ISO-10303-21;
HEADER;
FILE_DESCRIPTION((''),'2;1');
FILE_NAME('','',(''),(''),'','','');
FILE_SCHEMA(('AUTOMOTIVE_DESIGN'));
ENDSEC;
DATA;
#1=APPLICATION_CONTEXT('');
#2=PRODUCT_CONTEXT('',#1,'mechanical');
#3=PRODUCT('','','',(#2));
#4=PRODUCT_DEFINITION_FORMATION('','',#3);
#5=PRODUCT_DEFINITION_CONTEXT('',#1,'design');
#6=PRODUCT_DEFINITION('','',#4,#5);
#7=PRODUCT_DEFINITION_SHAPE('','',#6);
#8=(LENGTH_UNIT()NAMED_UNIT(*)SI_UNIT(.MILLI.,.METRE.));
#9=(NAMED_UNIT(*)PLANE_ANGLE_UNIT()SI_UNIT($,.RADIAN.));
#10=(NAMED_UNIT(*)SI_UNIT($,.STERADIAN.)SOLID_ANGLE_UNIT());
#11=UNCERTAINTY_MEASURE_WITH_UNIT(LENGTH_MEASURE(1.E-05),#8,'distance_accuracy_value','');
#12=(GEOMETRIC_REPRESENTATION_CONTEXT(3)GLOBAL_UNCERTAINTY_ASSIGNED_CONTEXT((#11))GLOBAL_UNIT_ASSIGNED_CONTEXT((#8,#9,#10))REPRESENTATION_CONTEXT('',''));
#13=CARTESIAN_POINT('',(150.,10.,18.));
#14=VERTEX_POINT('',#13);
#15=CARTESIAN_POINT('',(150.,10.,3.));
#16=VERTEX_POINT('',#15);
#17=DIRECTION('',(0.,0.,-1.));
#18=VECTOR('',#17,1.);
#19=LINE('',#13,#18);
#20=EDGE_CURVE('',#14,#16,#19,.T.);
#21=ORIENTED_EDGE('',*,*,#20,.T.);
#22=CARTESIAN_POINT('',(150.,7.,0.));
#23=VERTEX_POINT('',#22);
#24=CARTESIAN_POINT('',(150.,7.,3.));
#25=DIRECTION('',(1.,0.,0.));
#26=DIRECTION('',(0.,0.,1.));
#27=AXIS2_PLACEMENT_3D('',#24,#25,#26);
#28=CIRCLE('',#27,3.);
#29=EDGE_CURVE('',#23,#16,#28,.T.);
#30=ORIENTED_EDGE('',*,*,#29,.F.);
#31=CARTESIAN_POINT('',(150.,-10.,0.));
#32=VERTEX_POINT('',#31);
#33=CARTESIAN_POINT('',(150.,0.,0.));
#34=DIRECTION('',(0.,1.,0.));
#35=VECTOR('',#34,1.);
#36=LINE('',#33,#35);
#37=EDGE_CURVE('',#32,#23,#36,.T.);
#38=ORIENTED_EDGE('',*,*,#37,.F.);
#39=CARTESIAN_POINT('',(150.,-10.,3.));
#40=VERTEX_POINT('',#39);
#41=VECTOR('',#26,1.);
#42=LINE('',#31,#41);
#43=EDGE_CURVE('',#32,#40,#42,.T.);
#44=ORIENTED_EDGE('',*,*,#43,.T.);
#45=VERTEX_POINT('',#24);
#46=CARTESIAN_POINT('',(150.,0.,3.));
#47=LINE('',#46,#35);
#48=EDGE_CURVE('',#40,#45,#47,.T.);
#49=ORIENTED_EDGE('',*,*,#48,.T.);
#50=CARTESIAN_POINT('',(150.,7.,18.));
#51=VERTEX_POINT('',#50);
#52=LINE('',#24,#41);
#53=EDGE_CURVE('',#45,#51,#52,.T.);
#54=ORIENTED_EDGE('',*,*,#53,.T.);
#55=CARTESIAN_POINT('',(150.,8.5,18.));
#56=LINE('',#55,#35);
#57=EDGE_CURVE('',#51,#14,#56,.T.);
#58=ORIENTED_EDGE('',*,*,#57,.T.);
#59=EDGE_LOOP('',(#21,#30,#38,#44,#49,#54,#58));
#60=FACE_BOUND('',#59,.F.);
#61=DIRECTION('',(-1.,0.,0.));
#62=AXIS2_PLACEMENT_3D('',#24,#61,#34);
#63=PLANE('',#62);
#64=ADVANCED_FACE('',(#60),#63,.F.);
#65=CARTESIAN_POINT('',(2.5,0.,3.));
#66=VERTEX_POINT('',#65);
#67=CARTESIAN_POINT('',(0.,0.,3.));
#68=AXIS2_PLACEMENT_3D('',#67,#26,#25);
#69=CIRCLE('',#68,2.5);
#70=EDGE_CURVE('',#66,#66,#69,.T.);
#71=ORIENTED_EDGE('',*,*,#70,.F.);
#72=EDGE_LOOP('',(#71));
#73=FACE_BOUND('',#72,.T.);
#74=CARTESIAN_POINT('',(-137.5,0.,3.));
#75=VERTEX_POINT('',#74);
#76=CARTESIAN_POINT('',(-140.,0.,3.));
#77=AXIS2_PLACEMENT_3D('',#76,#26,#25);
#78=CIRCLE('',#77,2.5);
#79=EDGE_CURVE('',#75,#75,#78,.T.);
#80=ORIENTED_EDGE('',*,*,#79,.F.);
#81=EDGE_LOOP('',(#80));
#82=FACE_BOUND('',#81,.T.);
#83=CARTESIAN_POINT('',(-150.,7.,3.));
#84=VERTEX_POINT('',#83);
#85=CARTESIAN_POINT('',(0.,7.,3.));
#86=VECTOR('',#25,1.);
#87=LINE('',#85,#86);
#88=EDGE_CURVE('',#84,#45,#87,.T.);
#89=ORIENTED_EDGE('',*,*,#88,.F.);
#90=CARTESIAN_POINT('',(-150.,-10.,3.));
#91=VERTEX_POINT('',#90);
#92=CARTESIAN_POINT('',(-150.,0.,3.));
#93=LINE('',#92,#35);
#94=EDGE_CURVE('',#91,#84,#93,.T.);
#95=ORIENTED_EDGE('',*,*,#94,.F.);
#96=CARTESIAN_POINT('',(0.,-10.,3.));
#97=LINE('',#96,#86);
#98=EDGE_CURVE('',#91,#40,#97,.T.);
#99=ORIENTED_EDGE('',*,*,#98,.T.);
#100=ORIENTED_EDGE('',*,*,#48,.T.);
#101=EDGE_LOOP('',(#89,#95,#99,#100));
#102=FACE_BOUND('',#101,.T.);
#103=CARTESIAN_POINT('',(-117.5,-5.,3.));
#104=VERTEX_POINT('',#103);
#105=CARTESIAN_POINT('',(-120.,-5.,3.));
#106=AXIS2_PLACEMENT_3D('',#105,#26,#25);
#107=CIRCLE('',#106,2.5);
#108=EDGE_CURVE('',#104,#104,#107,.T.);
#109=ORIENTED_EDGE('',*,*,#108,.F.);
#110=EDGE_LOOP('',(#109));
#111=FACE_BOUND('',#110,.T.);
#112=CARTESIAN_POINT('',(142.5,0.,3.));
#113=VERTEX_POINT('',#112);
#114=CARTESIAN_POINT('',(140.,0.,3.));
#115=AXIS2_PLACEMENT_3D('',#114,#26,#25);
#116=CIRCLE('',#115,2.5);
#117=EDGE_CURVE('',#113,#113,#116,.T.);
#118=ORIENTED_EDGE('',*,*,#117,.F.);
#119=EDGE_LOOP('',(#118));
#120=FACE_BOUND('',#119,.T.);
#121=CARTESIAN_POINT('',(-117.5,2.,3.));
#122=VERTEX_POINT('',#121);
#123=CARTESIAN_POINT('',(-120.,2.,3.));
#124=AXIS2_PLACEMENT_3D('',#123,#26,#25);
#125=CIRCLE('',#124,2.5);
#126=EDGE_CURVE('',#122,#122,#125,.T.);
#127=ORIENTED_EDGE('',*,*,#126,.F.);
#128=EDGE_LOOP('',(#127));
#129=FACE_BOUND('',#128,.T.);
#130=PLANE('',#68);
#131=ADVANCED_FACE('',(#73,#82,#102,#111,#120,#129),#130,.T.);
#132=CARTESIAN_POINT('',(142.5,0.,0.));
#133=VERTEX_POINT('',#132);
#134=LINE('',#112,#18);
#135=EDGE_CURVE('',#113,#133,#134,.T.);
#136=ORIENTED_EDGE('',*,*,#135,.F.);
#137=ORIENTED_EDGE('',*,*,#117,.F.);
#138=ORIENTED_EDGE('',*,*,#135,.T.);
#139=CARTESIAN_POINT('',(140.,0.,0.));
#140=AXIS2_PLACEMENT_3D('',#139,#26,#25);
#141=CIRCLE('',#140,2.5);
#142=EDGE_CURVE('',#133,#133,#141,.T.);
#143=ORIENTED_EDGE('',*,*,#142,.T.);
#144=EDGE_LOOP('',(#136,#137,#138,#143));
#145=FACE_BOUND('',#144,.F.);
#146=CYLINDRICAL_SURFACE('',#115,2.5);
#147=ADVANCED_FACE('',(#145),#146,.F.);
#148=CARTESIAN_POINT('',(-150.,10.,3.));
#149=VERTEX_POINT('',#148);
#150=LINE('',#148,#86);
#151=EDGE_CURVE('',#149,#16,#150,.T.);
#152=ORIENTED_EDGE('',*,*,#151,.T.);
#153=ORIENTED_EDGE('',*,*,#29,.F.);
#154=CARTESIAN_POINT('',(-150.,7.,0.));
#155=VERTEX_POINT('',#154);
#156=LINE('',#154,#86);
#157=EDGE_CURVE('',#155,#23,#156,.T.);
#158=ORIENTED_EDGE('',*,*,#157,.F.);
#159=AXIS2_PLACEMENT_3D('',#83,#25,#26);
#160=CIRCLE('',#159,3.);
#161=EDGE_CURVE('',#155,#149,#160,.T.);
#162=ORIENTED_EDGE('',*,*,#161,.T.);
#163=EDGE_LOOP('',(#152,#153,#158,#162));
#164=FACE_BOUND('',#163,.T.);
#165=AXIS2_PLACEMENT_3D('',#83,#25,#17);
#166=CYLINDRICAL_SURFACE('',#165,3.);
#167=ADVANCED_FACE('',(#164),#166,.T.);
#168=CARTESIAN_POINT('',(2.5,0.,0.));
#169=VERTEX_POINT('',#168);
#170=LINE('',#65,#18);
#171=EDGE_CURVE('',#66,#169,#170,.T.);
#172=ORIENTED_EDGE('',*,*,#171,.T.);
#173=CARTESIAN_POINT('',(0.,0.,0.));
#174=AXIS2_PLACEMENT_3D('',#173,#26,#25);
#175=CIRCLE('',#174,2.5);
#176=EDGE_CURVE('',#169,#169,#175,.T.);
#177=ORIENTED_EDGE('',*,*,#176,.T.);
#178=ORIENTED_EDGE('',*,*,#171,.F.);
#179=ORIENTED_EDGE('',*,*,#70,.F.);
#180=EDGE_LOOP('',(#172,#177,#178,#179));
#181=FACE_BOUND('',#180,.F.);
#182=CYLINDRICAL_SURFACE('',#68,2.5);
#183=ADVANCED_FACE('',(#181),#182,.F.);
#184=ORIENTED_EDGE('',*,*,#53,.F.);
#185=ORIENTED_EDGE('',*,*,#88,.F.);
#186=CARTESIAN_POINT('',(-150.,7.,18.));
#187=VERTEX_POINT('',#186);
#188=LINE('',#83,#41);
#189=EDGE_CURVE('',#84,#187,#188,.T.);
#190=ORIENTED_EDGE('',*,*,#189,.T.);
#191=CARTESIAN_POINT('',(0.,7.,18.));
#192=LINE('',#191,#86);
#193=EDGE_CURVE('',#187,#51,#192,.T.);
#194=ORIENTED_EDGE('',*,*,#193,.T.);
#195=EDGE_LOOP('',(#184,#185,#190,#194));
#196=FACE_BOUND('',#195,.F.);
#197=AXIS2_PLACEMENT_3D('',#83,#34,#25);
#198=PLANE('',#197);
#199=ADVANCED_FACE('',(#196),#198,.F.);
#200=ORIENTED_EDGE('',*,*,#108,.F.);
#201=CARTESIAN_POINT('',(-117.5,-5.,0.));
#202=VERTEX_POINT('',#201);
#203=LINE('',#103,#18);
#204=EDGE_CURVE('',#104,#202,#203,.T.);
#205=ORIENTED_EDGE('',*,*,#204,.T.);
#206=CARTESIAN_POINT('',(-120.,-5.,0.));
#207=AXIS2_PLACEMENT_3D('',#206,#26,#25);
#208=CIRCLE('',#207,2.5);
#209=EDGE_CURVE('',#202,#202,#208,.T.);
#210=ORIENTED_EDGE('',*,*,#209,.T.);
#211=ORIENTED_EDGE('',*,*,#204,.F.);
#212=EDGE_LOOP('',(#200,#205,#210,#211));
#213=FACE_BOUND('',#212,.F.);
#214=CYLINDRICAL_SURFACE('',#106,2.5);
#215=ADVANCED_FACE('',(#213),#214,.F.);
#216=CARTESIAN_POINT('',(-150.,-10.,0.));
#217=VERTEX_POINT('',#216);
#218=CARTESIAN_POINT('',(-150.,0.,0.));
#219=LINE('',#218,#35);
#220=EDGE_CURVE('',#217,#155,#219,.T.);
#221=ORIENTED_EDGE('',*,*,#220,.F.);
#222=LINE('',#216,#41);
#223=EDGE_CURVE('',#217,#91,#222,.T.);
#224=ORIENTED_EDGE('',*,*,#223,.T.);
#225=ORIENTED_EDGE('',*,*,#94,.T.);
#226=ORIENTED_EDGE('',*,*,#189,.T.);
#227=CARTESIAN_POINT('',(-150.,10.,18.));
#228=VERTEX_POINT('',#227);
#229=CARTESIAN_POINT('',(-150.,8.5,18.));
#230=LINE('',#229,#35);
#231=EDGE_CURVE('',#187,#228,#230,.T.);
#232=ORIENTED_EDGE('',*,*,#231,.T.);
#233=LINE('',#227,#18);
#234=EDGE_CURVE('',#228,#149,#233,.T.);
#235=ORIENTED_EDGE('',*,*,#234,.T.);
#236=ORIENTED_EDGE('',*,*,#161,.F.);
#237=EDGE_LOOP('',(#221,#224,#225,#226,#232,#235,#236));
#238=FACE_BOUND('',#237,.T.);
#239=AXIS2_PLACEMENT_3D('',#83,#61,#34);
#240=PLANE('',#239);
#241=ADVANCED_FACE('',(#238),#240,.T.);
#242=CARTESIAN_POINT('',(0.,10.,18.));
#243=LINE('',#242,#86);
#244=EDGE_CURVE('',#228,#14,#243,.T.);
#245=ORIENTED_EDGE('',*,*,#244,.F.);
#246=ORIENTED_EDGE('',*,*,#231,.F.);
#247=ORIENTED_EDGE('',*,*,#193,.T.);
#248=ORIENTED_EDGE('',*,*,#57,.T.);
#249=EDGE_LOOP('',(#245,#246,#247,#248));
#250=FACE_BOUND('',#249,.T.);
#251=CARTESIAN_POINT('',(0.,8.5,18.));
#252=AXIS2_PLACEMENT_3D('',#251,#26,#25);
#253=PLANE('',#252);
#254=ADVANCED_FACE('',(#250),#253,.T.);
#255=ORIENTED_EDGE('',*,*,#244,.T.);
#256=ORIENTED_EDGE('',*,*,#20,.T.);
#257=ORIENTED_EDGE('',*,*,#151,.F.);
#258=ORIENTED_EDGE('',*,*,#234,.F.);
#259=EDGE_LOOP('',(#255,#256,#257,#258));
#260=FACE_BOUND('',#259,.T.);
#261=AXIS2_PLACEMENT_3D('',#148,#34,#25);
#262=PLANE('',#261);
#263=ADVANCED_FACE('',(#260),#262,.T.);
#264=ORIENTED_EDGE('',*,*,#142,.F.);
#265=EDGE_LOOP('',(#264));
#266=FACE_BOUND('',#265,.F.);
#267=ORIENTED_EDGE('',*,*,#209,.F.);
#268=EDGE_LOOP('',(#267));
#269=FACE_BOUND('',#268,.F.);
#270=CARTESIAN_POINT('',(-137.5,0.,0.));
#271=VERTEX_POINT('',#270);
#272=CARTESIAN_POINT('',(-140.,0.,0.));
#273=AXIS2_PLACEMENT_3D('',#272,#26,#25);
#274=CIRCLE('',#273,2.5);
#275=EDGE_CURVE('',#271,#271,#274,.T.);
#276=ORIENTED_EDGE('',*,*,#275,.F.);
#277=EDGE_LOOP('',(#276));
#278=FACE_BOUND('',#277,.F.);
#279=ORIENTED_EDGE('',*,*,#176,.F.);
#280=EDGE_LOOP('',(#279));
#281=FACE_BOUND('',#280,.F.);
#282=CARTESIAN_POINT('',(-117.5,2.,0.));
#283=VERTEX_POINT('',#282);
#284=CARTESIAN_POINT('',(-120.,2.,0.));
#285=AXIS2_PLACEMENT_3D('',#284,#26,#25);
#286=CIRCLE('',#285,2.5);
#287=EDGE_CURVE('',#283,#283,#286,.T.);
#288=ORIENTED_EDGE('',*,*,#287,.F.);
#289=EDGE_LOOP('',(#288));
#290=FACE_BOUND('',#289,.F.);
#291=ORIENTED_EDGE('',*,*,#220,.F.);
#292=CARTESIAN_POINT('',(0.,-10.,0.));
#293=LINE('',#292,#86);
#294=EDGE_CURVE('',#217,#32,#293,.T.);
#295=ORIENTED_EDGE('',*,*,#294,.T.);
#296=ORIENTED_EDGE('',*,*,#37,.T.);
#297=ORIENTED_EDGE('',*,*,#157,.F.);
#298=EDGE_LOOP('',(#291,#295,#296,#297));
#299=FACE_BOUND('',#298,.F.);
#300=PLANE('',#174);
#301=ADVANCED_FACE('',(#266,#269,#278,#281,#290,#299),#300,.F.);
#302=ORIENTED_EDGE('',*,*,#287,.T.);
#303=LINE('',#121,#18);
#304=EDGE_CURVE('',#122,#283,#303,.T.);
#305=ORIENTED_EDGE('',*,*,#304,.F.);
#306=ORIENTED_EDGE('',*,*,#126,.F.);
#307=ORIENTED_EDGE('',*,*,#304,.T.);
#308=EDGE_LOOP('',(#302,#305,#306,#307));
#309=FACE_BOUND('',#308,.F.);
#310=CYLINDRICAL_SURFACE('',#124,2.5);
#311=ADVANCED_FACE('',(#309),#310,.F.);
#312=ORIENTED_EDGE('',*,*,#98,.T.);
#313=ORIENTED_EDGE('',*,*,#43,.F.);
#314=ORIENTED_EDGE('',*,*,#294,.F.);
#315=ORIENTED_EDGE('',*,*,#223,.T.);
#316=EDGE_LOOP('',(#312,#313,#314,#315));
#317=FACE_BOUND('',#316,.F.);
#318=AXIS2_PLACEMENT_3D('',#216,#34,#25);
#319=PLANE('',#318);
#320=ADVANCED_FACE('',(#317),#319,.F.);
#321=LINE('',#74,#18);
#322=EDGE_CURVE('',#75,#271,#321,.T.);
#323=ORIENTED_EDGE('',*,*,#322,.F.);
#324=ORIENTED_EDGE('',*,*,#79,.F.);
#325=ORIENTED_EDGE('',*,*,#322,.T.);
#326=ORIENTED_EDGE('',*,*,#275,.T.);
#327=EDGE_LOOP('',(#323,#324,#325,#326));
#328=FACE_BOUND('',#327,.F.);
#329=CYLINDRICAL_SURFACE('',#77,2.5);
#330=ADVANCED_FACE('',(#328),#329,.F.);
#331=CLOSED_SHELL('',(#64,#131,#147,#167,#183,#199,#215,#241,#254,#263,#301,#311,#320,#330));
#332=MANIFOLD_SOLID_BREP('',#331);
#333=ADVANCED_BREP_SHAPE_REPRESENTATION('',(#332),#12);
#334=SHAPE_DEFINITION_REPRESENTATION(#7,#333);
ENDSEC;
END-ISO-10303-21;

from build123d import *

# Parameters (mm, degrees)
F0_W     = 300
F0_H     = 20
F1_DEPTH = 3
F2_R     = 2.5
F3_DEPTH = 3
F4_W     = 300
F4_H     = 3
F5_DEPTH = 15
F6_R     = 3


with BuildPart() as f1:
    # F0 (on Top) → F1 (new body)
    with BuildSketch(Plane.XY):
        Rectangle(F0_W, F0_H)
    extrude(amount=F1_DEPTH)

    # F2 (on face) → F3 (cut)
    with BuildSketch(Plane.XY.offset(3)):
        with Locations((-120, 2)):
            Circle(F2_R)
        with Locations((-120, -5)):
            Circle(F2_R)
        with Locations((-140, 0)):
            Circle(F2_R)
        Circle(F2_R)
        with Locations((140, 0)):
            Circle(F2_R)
    extrude(amount=-F3_DEPTH, mode=Mode.SUBTRACT)

    # F4 (on face) → F5 (join)
    with BuildSketch(Plane.XY.offset(3)):
        with Locations((0, 8.5)):
            Rectangle(F4_W, F4_H)
    extrude(amount=F5_DEPTH)

    # F6
    f6_edges = [f1.edges().sort_by_distance(p)[0] for p in [
        (0, 10, 0),
    ]]
    fillet(f6_edges, radius=F6_R)


solid = f1.part
